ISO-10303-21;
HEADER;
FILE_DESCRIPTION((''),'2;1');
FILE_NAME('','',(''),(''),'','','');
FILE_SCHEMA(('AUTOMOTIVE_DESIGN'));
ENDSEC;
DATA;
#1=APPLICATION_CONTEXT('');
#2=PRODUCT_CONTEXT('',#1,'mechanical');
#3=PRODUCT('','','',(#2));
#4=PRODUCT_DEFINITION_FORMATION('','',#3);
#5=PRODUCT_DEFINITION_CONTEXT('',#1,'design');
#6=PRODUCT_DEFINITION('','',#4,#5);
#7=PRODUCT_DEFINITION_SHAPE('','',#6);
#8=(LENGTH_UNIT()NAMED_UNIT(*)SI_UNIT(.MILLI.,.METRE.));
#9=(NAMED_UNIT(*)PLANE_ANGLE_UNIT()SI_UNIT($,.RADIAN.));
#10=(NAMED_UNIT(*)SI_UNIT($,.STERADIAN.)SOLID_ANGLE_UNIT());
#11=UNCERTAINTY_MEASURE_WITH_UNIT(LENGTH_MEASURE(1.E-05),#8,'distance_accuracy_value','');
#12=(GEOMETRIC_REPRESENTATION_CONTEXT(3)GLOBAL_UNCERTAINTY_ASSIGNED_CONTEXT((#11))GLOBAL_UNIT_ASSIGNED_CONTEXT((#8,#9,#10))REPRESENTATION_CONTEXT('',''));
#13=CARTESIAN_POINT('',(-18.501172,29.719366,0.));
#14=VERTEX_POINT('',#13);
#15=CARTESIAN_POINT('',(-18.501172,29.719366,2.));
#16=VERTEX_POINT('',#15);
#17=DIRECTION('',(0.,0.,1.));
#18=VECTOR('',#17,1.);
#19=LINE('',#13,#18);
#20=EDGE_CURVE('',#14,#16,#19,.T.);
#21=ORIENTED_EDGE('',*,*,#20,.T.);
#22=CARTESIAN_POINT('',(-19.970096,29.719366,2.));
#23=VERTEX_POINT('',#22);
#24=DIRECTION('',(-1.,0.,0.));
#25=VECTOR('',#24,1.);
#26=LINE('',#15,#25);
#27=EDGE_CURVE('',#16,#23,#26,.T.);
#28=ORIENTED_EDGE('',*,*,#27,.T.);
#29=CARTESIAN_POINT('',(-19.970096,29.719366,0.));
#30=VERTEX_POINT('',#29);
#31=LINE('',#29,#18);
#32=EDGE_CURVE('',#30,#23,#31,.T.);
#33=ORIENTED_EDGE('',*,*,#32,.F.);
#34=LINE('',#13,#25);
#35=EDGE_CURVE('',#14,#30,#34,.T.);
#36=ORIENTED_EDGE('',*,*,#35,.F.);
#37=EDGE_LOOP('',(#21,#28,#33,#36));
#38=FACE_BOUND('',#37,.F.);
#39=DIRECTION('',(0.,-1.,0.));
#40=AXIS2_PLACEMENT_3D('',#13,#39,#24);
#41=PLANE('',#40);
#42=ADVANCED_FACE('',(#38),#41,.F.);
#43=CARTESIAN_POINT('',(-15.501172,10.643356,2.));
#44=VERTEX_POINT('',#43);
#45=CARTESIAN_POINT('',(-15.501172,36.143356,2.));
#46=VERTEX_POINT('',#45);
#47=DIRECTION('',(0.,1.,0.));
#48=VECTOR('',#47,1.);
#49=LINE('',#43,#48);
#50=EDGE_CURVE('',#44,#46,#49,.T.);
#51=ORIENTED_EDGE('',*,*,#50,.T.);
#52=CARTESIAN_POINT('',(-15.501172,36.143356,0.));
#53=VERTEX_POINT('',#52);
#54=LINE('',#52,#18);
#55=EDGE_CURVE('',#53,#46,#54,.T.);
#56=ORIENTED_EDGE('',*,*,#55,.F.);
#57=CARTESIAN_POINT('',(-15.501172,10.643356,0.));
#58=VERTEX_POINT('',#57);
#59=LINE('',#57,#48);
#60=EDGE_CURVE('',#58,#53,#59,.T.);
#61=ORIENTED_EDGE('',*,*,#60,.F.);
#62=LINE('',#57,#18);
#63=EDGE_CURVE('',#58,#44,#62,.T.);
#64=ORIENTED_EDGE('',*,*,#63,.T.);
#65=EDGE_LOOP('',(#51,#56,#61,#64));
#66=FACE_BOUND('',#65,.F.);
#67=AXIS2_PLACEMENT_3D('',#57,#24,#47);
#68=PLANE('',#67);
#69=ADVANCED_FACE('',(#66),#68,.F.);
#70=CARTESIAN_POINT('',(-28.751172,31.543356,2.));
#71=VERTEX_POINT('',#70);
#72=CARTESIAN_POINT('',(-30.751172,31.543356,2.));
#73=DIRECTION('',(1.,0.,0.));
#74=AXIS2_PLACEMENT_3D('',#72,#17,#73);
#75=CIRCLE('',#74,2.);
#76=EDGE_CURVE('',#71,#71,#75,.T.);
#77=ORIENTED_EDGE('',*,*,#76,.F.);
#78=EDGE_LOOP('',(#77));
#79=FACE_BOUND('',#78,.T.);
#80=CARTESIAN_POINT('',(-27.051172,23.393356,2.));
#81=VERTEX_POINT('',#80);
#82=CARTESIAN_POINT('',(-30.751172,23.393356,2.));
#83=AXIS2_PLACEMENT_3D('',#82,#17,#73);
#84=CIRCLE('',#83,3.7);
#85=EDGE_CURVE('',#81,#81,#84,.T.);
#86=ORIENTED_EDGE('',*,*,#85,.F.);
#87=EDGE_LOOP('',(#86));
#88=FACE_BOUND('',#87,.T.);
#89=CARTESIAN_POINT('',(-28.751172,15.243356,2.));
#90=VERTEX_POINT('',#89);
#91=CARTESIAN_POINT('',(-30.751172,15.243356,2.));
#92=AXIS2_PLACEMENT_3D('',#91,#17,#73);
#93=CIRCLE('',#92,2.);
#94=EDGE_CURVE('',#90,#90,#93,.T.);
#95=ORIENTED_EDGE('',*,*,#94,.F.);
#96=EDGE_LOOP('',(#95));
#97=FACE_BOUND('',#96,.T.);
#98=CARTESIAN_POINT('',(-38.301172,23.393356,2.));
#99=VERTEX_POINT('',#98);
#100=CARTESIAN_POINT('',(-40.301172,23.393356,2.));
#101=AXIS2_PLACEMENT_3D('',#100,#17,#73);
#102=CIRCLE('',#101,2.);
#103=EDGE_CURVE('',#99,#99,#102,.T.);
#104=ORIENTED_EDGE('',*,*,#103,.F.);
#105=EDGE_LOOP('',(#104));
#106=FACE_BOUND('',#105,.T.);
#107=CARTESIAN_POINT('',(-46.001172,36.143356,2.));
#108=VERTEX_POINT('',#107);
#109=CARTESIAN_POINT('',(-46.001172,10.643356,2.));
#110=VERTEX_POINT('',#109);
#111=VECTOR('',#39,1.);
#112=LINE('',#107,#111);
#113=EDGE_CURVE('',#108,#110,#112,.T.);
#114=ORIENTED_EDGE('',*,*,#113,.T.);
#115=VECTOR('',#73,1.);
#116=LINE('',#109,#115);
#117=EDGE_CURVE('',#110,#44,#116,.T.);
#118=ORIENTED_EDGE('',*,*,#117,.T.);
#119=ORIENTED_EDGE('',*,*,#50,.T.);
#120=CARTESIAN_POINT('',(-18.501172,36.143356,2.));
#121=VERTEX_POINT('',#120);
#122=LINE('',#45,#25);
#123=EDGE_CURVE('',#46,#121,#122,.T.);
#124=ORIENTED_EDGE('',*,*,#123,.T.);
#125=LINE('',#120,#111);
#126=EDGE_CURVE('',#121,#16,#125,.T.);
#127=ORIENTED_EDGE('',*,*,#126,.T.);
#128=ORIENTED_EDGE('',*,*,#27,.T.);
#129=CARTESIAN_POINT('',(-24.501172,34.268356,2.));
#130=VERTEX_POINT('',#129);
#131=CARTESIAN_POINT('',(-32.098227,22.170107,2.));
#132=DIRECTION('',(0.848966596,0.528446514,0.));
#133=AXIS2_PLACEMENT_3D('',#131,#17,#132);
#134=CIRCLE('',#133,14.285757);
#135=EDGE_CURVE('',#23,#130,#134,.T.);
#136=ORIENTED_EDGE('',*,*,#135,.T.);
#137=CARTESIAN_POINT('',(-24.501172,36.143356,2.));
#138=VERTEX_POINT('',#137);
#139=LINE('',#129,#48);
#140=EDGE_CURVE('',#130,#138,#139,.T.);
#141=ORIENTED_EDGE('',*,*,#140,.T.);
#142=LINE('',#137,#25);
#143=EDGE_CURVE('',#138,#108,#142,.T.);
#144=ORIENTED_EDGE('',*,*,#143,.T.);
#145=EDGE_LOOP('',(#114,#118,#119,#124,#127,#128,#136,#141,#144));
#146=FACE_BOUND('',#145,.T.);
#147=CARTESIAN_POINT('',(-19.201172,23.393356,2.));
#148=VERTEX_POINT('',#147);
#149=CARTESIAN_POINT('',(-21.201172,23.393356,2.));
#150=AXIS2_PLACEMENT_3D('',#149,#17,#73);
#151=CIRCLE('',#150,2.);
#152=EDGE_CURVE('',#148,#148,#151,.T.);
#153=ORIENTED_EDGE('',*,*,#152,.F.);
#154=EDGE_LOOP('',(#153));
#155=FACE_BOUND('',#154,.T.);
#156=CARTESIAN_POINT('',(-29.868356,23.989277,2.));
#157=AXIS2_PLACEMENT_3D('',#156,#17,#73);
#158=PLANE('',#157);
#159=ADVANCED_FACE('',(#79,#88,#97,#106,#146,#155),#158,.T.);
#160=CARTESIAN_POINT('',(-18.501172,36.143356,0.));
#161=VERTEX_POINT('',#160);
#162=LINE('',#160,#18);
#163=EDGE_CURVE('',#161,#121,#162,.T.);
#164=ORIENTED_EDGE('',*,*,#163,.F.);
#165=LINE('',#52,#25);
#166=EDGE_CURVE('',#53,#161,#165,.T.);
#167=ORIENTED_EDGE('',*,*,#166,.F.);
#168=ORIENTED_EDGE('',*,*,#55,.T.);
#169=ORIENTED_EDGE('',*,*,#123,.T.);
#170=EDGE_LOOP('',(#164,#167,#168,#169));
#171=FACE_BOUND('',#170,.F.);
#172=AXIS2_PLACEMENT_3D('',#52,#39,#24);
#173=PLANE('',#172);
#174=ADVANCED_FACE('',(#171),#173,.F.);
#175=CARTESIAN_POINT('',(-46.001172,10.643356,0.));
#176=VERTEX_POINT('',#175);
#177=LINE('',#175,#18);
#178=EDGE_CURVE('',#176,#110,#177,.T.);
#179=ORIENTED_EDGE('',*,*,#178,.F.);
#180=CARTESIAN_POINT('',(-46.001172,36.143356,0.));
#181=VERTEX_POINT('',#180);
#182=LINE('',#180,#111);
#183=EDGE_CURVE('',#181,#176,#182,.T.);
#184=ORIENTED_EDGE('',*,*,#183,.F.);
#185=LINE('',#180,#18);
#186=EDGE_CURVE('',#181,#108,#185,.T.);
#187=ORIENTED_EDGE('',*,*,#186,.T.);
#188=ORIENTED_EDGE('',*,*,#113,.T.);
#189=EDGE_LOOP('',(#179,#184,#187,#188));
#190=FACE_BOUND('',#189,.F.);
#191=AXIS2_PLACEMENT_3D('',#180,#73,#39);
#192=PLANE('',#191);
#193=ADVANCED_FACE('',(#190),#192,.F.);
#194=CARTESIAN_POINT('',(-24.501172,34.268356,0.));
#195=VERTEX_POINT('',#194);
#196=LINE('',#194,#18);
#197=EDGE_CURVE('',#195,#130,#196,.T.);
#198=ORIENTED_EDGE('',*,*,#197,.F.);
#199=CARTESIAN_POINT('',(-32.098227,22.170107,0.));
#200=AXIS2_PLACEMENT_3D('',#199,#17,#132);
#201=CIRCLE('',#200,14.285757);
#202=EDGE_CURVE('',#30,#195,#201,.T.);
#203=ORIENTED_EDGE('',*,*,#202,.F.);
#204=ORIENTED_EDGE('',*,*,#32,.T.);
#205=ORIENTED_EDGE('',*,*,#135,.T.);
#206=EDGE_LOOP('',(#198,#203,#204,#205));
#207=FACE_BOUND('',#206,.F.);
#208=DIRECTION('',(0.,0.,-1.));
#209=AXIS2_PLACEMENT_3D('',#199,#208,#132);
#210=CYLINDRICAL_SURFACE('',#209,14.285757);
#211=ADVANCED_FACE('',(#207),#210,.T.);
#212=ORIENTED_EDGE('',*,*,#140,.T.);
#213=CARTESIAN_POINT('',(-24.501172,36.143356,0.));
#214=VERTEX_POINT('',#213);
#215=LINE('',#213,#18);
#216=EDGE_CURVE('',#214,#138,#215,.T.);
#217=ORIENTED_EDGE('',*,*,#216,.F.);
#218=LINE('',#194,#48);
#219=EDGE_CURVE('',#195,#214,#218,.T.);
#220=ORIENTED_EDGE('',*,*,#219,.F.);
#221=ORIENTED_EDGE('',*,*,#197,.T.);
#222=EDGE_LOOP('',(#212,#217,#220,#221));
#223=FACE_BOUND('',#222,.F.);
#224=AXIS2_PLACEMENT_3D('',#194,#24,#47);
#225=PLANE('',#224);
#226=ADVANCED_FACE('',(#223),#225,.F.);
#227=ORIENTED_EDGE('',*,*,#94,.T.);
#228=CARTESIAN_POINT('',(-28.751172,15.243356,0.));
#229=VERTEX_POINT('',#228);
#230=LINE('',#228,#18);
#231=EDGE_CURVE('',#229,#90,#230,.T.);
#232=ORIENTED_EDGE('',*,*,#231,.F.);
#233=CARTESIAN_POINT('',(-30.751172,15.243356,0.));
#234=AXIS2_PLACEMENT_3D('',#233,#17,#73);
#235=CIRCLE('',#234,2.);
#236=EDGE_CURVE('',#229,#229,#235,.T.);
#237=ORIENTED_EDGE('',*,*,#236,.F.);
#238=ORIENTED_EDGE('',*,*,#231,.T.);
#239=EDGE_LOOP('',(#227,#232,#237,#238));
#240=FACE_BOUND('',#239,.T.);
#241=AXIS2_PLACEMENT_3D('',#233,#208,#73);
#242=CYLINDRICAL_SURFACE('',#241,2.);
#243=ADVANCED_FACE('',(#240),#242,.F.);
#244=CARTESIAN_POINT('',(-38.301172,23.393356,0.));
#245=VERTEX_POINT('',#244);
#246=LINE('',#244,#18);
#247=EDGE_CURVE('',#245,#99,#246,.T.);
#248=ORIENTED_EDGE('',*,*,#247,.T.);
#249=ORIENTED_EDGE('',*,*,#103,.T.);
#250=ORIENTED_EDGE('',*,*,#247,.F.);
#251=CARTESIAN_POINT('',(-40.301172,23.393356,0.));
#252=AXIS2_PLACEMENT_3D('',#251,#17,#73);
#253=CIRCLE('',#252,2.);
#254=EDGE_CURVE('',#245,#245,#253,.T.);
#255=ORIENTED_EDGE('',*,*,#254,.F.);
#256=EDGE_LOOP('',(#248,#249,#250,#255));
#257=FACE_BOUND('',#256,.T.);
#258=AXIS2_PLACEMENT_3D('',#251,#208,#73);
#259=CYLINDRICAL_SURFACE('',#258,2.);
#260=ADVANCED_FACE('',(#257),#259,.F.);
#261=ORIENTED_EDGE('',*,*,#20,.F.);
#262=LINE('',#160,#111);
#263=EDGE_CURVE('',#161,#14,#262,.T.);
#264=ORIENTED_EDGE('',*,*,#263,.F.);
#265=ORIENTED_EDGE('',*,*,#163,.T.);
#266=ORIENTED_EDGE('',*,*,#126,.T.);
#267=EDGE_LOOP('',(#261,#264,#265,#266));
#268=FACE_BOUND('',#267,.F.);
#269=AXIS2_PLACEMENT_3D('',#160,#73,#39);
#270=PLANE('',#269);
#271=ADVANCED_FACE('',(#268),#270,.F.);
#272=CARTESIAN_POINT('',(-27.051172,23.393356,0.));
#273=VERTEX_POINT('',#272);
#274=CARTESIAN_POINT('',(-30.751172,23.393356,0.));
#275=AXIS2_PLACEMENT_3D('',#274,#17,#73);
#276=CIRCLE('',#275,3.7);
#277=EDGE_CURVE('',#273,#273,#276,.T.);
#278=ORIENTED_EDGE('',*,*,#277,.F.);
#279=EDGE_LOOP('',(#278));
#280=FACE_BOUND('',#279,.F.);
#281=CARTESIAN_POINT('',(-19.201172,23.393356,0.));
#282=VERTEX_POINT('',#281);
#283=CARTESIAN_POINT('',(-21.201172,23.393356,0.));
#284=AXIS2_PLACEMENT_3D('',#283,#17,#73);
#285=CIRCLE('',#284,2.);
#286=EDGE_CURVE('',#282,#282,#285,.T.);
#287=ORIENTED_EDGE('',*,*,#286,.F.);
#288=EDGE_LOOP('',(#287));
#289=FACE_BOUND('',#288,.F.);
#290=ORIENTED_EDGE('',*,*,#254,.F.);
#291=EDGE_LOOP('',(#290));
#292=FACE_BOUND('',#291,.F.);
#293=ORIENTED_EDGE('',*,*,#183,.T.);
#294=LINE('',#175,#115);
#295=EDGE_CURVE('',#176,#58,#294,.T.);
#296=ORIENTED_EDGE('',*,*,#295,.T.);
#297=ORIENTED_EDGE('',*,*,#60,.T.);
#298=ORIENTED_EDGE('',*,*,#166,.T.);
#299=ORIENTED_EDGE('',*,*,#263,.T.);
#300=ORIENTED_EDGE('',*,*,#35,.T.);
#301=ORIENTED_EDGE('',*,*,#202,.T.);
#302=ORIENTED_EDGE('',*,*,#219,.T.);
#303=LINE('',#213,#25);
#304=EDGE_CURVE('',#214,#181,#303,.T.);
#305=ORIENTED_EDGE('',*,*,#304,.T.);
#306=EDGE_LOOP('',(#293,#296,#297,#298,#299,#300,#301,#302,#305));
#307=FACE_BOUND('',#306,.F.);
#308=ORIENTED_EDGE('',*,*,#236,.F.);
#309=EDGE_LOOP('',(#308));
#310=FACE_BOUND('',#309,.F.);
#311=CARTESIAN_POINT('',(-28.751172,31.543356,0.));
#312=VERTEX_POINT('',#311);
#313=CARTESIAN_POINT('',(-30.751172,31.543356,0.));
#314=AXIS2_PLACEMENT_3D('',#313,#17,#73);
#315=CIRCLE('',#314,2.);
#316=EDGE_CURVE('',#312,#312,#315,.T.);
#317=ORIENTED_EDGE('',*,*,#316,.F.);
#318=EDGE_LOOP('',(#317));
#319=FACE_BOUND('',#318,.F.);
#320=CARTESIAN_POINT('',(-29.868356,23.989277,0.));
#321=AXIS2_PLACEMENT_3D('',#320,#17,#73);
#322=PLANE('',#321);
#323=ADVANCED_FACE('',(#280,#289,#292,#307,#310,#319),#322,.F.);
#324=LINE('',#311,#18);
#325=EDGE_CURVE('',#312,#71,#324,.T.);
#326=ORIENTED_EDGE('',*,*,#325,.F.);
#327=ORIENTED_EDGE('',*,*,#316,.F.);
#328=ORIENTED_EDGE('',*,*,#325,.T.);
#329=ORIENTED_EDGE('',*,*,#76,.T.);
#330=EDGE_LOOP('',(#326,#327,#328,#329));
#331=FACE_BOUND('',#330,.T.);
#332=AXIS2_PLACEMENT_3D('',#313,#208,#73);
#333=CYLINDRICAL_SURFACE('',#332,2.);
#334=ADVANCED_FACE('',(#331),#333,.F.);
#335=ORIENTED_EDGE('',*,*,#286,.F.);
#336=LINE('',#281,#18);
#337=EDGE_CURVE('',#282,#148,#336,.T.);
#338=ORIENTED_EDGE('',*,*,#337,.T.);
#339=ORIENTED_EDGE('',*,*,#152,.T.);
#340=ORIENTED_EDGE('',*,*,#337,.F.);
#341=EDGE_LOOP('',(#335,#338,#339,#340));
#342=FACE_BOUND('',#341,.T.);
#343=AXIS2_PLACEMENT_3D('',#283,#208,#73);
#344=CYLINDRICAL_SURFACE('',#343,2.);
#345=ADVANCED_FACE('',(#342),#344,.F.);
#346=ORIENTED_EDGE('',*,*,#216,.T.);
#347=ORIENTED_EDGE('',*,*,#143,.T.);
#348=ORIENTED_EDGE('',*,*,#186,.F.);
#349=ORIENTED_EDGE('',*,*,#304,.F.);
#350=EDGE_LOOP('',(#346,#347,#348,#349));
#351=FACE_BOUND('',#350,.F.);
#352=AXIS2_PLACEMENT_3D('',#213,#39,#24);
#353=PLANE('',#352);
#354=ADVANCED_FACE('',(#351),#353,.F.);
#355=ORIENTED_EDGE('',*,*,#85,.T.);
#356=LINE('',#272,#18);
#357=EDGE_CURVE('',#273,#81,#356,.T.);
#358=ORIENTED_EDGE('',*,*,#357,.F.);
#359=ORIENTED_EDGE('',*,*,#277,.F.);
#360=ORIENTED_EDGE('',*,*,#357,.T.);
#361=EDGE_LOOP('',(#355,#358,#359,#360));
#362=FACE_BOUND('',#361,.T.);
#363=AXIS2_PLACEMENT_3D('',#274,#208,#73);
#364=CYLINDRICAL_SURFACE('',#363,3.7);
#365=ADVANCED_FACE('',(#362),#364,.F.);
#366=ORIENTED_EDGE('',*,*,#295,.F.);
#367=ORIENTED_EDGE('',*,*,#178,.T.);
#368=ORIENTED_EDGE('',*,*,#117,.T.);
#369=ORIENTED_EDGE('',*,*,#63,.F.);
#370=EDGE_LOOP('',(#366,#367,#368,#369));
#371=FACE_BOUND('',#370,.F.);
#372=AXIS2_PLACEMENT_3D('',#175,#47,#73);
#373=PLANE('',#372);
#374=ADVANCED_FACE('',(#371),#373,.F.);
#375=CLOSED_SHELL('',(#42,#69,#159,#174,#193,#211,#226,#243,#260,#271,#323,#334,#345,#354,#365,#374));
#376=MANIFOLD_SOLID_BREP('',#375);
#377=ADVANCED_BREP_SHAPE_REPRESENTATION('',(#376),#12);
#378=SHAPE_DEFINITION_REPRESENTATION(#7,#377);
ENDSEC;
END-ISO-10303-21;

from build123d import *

# Parameters (mm, degrees)
F0_R     = 2
F0_R_2   = 3.7
F1_DEPTH = 2


with BuildPart() as f1:
    # F0 (on Top) → F1 (new body)
    with BuildSketch(Plane.XY):
        with BuildLine():
            Line((-46.001172, 36.143356), (-46.001172, 10.643356))
            Line((-46.001172, 10.643356), (-15.501172, 10.643356))
            Line((-15.501172, 10.643356), (-15.501172, 36.143356))
            Line((-15.501172, 36.143356), (-18.501172, 36.143356))
            Line((-18.501172, 36.143356), (-18.501172, 29.719366))
            Line((-18.501172, 29.719366), (-19.970096, 29.719366))
            ThreePointArc((-19.970096, 29.719366), (-21.976761, 32.251714), (-24.501172, 34.268356))
            Line((-24.501172, 34.268356), (-24.501172, 36.143356))
            Line((-24.501172, 36.143356), (-46.001172, 36.143356))
        make_face()
        with Locations((-40.301172, 23.393356)):
            Circle(F0_R, mode=Mode.SUBTRACT)
        with Locations((-30.751172, 15.243356)):
            Circle(F0_R, mode=Mode.SUBTRACT)
        with Locations((-30.751172, 23.393356)):
            Circle(F0_R_2, mode=Mode.SUBTRACT)
        with Locations((-21.201172, 23.393356)):
            Circle(F0_R, mode=Mode.SUBTRACT)
        with Locations((-30.751172, 31.543356)):
            Circle(F0_R, mode=Mode.SUBTRACT)
    extrude(amount=F1_DEPTH)


solid = f1.part
